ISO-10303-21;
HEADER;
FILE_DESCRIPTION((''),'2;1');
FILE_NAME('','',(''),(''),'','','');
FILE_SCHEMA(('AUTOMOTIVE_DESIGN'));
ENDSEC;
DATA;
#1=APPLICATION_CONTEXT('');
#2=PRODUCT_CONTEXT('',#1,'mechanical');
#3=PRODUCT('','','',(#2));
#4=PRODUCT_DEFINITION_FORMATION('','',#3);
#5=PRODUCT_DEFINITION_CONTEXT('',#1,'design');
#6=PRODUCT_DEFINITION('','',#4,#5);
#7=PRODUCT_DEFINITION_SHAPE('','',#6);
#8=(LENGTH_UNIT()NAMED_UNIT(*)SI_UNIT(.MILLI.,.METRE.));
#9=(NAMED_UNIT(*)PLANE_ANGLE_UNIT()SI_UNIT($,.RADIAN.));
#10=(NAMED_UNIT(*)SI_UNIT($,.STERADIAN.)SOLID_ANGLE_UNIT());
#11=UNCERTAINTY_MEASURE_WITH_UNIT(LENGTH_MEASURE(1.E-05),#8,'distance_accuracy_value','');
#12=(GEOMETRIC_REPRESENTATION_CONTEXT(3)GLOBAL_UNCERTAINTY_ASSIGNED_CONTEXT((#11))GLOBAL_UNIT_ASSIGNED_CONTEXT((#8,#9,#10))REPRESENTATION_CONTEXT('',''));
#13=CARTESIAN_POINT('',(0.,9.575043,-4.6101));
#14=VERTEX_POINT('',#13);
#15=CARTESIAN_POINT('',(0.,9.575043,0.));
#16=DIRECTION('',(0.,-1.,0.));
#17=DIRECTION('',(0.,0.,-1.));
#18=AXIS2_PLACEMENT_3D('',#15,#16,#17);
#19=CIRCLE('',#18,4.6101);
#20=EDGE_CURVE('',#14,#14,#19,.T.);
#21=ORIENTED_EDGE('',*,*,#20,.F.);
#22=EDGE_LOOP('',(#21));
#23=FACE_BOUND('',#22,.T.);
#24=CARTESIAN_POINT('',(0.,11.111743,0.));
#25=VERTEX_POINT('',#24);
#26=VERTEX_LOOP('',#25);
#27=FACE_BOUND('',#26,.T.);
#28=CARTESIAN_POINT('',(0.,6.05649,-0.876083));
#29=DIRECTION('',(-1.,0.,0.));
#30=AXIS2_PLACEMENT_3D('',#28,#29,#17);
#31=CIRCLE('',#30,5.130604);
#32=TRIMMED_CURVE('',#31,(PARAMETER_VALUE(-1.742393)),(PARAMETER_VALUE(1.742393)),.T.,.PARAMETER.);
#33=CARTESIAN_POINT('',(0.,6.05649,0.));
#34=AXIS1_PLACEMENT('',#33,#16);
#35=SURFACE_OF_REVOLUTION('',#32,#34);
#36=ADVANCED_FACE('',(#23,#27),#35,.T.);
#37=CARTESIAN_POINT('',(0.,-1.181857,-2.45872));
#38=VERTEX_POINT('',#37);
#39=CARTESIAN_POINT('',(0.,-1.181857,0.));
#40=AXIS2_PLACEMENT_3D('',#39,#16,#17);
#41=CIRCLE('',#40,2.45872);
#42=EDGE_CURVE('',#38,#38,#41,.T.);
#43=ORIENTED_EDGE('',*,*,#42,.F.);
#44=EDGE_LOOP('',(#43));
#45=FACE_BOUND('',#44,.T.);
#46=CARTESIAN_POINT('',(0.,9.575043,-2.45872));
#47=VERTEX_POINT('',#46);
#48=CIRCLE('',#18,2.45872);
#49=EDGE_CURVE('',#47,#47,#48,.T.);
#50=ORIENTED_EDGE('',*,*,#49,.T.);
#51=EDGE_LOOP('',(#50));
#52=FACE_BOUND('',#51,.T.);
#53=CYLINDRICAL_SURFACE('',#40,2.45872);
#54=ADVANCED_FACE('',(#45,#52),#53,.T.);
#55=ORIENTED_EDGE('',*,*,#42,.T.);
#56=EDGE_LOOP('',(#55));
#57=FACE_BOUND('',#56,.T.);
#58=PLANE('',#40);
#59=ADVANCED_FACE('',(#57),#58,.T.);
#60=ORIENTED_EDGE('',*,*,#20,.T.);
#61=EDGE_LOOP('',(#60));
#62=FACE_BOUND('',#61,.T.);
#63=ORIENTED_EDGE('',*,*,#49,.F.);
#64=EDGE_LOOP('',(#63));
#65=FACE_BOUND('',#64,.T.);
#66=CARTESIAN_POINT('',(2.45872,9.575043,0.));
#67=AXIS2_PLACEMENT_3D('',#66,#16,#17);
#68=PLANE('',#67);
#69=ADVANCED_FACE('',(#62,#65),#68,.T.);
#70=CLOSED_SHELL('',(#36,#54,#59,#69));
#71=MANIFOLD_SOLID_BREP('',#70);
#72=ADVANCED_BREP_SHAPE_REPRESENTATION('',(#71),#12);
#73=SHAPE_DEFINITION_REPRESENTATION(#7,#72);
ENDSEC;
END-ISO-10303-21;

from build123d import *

# Parameters (mm, degrees)
SCALE1_SCALE = 1.21


with BuildPart() as part:
    # Sketch1 → Revolve1 (revolve)
    with BuildSketch(Plane.XY):
        with BuildLine():
            Line((0, 0), (2.032, 0))
            Line((2.032, 0), (2.032, 8.89))
            Line((2.032, 8.89), (3.81, 8.89))
            ThreePointArc((3.81, 8.89), (2.064894198, 10.004682594), (0, 10.16))
            Line((0, 10.16), (0, 0))
        make_face()
    revolve(axis=Axis((0, 0, 0), (0, 1, 0)))


with BuildPart() as part_1:
    # Scale1: scaled about (0, 5.627892311, 0)
    add(part.part.scale(SCALE1_SCALE).moved(Location((0, -1.181857385, 0))))


solid = part_1.part
